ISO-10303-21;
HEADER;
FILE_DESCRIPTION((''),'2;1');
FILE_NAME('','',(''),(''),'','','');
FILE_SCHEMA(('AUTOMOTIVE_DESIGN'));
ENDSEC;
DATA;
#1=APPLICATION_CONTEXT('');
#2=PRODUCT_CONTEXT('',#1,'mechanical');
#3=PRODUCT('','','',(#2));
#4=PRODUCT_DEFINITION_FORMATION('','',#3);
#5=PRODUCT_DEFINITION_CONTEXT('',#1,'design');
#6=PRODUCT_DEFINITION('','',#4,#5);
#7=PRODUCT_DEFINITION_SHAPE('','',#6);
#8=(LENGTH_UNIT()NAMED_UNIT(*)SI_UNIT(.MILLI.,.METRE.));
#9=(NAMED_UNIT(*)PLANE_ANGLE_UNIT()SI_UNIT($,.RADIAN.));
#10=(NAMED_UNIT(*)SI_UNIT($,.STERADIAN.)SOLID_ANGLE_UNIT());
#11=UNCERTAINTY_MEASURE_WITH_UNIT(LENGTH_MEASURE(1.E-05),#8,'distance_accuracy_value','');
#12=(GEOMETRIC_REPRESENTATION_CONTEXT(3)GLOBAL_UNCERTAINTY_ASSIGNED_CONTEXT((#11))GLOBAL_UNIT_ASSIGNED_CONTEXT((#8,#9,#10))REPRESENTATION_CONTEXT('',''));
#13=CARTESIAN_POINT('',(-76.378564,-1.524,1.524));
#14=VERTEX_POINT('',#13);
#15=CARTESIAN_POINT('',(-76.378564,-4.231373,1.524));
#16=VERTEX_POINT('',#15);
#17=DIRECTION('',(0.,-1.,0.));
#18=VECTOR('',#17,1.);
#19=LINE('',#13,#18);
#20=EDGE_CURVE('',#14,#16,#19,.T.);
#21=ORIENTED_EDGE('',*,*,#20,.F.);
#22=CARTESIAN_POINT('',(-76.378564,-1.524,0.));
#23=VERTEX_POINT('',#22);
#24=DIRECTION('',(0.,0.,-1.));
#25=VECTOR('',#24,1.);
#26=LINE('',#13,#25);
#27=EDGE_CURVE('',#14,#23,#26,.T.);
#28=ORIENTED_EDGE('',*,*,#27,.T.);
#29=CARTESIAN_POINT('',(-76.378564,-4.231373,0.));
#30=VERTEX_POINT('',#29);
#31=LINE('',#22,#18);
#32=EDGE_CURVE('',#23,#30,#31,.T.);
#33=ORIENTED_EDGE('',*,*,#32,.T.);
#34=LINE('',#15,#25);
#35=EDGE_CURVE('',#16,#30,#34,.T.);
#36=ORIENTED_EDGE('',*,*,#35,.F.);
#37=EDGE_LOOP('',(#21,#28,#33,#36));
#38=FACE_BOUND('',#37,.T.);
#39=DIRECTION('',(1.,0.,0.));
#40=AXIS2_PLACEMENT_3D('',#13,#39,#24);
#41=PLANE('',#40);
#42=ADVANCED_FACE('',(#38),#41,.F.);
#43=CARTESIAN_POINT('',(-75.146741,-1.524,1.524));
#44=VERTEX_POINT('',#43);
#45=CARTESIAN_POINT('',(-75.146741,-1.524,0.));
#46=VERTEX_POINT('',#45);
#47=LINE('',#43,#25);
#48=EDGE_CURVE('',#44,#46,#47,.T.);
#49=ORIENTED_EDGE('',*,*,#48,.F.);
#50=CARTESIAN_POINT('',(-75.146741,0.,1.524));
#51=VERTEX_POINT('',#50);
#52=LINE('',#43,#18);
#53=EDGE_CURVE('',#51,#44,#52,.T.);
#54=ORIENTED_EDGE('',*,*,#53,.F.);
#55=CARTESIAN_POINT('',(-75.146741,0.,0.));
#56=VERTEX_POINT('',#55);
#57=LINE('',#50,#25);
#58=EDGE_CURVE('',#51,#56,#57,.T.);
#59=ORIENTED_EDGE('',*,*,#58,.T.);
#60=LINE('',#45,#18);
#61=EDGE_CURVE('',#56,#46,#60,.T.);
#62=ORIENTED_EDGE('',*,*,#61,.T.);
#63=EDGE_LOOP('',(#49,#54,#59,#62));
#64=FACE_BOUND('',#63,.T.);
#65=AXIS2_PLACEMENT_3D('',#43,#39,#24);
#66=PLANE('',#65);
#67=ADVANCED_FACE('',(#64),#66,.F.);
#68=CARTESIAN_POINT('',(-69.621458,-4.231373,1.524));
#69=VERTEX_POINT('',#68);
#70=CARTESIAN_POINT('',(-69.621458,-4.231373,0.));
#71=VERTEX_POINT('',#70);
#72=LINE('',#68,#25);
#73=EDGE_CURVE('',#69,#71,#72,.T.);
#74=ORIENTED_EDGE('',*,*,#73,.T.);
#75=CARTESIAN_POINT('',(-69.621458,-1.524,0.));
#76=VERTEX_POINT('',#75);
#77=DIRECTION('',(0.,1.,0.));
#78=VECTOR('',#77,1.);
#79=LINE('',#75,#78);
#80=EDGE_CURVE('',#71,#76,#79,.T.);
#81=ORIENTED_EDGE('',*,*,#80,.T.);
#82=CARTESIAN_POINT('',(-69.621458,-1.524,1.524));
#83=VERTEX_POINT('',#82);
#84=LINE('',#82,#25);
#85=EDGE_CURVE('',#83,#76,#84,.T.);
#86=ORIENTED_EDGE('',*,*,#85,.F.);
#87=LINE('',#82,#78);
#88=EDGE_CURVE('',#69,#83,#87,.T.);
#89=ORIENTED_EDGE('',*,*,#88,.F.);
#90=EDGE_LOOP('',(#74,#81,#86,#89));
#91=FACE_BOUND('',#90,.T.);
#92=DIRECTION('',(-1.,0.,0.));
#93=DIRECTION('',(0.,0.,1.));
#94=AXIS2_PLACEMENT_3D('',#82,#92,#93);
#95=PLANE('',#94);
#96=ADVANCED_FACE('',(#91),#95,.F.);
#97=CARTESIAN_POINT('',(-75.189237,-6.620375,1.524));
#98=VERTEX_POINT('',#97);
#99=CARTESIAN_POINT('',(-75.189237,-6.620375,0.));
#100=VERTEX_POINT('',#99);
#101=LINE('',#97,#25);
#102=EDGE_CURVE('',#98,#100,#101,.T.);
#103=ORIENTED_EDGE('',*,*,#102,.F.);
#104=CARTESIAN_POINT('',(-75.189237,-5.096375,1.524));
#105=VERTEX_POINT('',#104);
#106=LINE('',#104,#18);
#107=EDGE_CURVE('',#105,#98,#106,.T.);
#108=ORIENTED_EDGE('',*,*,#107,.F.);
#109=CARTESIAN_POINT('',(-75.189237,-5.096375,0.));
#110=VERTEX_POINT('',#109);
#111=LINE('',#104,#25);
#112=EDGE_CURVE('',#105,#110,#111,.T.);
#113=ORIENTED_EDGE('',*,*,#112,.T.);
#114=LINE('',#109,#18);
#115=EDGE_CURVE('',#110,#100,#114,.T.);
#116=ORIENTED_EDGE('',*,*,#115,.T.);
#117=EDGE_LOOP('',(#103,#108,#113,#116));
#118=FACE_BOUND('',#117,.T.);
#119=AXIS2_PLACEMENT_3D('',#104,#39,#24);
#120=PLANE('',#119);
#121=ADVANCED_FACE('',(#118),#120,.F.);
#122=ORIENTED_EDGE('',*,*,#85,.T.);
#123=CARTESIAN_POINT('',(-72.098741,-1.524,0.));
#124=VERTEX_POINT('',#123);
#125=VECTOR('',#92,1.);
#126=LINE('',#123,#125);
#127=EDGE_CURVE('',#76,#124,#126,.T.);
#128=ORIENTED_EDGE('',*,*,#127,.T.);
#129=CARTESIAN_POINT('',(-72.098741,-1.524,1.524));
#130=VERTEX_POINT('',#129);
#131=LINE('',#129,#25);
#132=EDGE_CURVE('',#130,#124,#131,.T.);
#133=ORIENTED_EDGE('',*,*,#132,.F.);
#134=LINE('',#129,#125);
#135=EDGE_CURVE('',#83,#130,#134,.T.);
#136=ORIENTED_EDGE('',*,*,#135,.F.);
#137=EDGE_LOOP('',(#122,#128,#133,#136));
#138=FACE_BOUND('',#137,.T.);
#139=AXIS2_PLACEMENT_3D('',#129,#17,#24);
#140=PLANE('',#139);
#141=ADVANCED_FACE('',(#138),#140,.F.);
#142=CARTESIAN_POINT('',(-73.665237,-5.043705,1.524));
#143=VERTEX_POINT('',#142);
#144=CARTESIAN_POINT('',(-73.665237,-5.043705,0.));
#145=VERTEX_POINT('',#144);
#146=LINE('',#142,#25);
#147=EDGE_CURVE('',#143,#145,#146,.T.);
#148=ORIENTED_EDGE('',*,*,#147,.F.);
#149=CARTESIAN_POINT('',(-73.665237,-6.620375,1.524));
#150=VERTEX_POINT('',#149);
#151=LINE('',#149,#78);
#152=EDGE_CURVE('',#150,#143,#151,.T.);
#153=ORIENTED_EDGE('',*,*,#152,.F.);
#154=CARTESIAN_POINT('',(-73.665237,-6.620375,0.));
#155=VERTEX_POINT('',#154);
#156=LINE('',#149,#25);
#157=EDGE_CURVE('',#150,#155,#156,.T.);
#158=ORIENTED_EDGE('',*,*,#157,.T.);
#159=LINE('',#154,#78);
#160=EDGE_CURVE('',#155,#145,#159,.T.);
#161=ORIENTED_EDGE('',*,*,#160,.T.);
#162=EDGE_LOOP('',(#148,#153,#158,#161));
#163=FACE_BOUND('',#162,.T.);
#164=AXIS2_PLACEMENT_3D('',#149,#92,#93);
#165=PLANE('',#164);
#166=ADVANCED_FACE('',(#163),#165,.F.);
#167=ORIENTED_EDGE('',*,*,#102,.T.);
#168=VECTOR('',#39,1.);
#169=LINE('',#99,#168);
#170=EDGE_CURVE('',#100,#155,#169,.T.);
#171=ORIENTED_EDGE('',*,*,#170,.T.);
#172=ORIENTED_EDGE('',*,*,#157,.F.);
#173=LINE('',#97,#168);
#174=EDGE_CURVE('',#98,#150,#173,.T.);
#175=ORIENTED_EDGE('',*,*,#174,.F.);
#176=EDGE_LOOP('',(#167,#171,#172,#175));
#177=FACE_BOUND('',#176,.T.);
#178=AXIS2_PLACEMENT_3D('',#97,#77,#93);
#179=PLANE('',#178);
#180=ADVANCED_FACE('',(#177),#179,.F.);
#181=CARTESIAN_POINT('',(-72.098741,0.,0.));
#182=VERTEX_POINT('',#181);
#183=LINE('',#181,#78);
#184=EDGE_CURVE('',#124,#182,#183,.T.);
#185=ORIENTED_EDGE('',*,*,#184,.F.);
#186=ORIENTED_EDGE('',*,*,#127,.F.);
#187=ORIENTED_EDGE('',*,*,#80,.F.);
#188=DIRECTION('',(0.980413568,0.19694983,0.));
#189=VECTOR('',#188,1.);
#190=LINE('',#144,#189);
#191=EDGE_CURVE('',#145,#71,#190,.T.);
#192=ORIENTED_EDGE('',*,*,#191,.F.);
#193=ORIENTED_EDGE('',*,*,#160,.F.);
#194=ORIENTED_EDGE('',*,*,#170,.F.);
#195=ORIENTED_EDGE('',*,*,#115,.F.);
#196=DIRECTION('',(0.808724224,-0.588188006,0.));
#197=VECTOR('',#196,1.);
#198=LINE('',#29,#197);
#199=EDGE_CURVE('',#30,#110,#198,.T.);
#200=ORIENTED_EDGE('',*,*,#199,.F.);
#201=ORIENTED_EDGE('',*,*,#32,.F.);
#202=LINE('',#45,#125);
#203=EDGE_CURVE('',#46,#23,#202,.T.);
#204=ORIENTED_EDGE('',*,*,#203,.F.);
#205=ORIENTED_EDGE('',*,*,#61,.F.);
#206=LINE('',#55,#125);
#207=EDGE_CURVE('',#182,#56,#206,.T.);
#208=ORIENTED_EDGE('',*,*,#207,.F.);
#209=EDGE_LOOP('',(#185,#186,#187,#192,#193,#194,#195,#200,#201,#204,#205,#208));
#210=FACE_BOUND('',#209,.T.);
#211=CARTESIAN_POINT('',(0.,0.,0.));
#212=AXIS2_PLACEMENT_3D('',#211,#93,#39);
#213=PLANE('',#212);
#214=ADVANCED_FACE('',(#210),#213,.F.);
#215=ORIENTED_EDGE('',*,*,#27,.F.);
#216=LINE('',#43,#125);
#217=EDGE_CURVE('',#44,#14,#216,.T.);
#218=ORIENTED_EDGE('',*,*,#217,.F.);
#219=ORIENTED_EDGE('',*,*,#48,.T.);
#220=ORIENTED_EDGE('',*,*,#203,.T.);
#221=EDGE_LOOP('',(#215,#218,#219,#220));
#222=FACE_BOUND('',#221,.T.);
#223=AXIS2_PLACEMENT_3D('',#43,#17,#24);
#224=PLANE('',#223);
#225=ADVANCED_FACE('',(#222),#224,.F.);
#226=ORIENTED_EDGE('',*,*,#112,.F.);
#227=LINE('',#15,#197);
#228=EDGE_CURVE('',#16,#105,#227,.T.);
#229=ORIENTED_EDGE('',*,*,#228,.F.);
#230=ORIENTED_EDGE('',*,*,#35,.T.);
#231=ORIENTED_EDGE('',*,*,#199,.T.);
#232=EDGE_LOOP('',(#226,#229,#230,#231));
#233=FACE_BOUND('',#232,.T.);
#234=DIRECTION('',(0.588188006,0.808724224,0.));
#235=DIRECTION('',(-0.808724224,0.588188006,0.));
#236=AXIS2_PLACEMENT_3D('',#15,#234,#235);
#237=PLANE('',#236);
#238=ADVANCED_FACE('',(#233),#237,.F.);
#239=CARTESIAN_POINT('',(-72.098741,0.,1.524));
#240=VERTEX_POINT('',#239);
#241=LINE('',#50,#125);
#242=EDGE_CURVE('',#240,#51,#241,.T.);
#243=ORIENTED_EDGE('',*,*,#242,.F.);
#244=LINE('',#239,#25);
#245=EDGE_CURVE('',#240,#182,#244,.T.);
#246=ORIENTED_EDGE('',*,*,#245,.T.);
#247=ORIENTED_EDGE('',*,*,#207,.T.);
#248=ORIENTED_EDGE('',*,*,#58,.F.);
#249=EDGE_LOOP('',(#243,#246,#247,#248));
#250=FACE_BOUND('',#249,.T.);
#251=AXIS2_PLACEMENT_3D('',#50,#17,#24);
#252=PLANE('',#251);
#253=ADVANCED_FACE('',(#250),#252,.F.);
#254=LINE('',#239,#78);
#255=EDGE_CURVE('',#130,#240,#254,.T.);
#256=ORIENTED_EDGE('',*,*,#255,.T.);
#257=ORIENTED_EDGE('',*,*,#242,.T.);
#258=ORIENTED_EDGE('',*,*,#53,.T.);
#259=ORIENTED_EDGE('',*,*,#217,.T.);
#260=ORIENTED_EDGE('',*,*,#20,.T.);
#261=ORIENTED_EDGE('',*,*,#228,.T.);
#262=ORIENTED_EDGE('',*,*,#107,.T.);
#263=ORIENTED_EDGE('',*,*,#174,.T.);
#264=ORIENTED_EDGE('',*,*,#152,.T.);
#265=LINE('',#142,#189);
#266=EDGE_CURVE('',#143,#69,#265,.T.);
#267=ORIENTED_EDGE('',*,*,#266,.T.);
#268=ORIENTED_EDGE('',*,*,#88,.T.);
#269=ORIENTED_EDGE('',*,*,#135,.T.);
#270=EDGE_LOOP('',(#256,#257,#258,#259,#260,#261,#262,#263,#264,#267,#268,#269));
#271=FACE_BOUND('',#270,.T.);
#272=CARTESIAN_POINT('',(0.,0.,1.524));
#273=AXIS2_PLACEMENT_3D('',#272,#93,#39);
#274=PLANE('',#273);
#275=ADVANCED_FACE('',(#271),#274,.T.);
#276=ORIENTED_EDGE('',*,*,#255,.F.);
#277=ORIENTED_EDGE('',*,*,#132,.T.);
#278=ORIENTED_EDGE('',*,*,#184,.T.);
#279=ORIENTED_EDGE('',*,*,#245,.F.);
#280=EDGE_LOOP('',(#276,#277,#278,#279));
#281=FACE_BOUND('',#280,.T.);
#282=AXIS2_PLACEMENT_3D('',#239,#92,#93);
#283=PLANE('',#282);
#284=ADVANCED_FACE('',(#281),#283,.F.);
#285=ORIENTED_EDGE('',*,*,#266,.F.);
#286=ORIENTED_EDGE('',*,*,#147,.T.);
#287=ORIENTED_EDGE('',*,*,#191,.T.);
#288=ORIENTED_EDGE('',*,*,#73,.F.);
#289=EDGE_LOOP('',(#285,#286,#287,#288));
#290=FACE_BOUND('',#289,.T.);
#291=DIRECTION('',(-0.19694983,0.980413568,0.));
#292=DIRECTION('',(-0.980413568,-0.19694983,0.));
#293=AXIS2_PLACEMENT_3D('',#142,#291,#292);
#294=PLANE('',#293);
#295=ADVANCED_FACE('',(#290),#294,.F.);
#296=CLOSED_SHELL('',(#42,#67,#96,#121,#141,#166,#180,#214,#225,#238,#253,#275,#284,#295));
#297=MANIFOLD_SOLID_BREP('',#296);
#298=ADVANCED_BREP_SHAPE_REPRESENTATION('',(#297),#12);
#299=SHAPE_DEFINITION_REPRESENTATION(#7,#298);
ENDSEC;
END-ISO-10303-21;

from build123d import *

# Parameters (mm, degrees)
BOSS_EXTRUDE1_DEPTH = 1.524


with BuildPart() as part:
    # Sketch1 → Boss-Extrude1 (new body)
    with BuildSketch(Plane.XY):
        Polygon((-75.146741226, -1.524), (-75.146741226, 0), (-72.098741226, 0), (-72.098741226, -1.524), (-69.621457776, -1.524), (-69.621457776, -4.231372842), (-73.665237024, -5.043705171), (-73.665237024, -6.620374737), (-75.189237024, -6.620374737), (-75.189237024, -5.096374737), (-76.378564211, -4.231372842), (-76.378564211, -1.524), align=None)
    extrude(amount=BOSS_EXTRUDE1_DEPTH)


solid = part.part
